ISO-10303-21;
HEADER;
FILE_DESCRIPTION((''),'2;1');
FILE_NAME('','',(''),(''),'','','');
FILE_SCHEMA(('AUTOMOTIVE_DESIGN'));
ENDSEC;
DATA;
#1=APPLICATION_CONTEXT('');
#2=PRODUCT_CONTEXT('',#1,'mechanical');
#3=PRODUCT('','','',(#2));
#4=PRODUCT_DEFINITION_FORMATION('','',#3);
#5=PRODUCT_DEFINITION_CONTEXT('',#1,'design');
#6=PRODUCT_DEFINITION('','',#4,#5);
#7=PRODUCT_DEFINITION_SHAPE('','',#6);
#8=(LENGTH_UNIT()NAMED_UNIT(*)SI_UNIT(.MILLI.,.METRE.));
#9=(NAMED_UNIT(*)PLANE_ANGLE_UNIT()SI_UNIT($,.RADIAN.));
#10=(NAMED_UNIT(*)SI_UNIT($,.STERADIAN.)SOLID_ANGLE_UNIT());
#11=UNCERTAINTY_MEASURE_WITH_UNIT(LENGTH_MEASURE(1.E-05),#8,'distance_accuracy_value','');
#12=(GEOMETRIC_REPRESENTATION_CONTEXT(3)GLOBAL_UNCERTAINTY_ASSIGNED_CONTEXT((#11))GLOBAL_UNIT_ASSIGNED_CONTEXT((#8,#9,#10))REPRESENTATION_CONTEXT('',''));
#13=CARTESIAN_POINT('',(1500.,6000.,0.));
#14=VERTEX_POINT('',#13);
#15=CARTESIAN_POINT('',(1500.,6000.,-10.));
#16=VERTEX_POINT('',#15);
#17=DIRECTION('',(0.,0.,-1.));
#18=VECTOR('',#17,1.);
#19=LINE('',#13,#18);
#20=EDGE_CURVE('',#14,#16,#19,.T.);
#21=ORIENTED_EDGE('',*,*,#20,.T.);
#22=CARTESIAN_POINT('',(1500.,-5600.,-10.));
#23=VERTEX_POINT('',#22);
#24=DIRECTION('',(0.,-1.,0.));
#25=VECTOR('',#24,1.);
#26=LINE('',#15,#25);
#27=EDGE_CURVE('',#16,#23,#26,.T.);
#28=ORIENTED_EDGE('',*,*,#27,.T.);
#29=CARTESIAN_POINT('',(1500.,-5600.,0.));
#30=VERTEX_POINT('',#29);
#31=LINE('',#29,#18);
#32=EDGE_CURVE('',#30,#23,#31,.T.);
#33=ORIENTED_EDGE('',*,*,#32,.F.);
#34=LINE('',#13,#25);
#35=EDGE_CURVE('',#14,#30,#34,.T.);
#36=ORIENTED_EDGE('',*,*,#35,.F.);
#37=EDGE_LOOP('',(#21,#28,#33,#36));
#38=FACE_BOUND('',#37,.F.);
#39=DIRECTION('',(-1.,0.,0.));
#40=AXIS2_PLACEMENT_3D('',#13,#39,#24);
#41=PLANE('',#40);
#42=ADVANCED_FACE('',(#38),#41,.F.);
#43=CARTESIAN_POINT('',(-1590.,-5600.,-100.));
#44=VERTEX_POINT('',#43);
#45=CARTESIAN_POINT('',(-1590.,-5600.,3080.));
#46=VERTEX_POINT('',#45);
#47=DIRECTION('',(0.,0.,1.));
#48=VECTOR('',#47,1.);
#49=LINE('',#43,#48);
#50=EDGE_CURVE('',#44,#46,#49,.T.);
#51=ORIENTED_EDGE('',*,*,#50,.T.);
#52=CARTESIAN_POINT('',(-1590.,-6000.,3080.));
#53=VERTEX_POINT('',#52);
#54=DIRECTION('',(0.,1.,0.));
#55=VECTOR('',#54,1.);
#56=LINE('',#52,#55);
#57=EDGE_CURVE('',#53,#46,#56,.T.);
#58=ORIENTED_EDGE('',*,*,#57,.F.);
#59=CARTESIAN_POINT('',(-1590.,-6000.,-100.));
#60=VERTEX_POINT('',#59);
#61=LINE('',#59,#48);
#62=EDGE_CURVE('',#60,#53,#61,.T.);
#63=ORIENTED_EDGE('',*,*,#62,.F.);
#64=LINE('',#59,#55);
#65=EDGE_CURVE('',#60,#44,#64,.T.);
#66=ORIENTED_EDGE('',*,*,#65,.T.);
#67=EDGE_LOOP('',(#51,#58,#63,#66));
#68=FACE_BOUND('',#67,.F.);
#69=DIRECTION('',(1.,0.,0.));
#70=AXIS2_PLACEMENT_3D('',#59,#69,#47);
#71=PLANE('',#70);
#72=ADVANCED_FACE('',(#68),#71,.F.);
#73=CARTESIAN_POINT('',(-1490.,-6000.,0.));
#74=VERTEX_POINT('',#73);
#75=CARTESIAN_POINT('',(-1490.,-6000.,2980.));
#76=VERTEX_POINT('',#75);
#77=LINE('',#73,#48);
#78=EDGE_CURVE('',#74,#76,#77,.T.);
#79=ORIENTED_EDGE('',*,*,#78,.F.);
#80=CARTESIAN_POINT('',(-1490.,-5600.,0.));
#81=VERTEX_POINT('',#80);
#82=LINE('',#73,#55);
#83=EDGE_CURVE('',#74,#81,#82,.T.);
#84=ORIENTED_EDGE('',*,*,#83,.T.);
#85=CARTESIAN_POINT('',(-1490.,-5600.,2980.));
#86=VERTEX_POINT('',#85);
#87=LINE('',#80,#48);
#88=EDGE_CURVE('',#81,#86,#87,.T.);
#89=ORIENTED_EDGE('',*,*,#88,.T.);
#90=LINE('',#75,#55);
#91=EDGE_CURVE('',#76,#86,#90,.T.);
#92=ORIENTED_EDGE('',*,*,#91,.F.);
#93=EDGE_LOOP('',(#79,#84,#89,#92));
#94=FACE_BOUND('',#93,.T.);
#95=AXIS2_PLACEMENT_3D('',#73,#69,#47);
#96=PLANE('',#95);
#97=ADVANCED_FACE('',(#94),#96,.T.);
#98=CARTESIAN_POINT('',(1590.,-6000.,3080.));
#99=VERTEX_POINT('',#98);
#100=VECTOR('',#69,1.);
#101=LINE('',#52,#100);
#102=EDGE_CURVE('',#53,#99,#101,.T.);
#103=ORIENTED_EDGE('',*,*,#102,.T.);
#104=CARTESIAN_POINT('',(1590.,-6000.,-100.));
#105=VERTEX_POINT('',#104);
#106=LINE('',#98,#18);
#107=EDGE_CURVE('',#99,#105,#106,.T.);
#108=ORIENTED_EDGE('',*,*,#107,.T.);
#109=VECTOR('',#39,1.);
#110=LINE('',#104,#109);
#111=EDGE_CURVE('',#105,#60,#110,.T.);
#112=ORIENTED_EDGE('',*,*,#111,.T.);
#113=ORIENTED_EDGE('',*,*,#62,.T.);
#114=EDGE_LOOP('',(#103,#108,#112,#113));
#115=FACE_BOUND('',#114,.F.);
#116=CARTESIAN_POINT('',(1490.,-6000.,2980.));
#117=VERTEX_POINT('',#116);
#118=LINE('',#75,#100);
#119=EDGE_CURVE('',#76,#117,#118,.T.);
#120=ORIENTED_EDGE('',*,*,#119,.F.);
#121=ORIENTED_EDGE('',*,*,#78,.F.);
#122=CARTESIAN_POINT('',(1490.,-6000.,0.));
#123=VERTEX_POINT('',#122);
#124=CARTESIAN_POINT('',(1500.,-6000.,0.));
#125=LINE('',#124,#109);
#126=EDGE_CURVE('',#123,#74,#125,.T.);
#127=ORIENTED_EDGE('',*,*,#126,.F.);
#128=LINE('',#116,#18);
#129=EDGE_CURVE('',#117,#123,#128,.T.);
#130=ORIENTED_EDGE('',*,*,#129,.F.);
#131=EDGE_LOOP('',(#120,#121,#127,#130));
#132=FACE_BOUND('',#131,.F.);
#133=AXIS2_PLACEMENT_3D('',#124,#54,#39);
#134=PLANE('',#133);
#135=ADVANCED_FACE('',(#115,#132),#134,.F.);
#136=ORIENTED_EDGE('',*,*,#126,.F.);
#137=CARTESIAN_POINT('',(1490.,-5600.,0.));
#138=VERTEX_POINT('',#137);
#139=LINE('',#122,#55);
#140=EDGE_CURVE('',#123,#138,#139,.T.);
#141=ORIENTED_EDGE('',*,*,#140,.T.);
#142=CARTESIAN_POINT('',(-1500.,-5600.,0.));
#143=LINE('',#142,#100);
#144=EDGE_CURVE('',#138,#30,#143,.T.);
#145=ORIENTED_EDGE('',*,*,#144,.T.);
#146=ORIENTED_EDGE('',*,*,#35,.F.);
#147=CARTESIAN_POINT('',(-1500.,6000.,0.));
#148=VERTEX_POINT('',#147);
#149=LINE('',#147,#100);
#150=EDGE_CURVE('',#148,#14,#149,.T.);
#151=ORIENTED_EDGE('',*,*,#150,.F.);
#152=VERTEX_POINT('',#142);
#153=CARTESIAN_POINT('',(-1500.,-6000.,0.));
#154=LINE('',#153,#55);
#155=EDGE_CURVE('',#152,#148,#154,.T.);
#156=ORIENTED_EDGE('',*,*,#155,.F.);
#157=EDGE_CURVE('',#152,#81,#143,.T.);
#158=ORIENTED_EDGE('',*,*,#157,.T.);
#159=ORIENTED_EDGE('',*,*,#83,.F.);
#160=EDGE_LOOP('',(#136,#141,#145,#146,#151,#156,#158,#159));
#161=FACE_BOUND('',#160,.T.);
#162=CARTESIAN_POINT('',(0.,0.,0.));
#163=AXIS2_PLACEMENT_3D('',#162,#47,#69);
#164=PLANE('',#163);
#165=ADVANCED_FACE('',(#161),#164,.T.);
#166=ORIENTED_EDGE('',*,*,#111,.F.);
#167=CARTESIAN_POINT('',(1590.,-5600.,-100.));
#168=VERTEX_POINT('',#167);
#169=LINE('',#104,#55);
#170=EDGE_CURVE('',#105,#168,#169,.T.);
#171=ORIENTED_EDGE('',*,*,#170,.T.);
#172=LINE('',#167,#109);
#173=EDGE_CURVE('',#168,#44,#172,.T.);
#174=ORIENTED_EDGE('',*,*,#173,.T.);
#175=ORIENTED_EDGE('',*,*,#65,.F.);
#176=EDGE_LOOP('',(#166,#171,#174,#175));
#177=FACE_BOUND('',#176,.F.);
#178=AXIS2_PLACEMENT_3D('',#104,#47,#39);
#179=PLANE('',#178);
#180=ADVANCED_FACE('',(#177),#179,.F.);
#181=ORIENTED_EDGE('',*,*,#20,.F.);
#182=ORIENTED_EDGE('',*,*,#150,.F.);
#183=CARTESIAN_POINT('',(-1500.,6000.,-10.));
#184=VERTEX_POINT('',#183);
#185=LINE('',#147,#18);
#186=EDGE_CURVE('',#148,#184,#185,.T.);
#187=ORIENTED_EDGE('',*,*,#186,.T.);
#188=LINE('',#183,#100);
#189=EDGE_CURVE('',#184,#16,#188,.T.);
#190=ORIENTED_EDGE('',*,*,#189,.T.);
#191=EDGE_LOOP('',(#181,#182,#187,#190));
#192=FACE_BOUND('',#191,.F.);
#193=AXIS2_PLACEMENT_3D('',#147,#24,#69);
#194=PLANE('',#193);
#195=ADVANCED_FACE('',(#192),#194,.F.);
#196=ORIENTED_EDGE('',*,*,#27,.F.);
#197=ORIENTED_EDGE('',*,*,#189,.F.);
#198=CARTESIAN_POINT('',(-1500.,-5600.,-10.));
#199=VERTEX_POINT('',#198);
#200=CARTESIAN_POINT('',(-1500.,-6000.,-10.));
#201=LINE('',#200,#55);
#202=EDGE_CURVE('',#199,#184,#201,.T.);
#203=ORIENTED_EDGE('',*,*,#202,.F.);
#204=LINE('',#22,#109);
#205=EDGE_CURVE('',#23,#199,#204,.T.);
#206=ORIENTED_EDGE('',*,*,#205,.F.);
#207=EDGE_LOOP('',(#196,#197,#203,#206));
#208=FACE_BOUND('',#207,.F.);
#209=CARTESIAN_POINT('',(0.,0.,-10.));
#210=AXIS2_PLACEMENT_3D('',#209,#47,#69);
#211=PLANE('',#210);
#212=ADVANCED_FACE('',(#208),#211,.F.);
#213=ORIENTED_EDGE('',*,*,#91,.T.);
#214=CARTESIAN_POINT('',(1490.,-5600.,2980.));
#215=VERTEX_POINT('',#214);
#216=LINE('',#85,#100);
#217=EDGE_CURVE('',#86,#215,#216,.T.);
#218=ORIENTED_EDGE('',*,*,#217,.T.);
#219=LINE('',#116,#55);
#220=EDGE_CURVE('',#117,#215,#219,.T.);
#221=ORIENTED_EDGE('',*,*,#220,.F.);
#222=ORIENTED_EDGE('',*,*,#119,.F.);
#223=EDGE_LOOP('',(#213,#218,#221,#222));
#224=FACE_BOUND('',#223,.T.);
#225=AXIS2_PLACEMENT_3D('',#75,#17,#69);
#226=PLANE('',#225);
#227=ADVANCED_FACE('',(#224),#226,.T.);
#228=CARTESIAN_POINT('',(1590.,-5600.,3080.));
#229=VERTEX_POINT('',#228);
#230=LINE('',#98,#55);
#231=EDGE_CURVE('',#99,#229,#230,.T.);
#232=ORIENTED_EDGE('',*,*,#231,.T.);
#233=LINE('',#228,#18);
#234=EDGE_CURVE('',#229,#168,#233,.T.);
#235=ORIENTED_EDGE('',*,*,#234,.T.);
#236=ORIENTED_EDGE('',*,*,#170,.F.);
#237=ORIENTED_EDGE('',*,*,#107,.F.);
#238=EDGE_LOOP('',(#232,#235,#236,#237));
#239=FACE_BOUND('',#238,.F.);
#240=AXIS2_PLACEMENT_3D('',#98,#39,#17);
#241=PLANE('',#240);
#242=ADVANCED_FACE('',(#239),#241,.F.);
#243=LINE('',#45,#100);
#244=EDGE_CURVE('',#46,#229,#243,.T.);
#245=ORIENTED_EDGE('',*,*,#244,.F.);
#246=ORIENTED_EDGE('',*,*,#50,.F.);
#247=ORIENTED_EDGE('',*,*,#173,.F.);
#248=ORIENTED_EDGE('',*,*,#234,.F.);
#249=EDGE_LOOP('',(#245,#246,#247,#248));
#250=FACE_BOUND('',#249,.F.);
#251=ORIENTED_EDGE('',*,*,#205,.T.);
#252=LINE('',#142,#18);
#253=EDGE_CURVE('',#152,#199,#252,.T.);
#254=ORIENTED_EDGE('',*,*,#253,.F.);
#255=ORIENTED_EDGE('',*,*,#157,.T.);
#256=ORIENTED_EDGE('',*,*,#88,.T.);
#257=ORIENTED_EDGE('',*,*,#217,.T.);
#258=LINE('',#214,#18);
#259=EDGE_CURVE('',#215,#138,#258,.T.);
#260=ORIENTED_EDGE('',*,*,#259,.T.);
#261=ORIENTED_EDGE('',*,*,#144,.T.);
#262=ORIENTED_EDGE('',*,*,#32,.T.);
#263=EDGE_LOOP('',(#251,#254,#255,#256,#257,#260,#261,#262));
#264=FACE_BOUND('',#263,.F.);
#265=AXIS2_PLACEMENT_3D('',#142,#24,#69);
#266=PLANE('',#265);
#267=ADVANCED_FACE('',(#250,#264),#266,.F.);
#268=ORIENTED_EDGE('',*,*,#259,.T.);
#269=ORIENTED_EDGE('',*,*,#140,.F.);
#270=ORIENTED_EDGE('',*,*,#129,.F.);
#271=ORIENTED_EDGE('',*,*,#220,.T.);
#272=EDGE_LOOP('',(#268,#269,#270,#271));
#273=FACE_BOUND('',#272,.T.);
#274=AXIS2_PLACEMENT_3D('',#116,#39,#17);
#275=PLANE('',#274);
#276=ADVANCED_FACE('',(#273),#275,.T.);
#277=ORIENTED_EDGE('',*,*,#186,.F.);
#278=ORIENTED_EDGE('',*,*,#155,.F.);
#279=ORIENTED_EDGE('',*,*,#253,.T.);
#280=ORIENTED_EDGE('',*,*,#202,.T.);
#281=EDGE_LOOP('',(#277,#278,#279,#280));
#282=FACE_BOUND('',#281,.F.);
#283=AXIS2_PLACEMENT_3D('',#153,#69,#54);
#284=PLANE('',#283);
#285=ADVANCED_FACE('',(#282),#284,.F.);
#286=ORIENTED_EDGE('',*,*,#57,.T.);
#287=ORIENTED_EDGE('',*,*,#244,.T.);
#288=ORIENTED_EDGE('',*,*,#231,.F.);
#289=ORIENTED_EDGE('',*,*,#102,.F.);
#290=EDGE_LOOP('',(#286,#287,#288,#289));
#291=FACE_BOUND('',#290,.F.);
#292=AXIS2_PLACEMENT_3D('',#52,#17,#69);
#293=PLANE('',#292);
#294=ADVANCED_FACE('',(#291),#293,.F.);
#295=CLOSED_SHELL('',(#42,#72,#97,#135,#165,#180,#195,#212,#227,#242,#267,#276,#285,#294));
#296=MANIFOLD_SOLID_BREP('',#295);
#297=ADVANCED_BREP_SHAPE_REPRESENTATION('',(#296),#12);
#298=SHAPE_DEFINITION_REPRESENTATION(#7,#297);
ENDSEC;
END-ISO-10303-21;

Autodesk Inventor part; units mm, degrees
ref_plane "YZ Plane" through (0, 0, 0) normal (1, 0, 0) x (0, 1, 0)
ref_plane "XZ Plane" through (0, 0, 0) normal (0, 1, 0) x (-1, 0, 0)
ref_plane "XY Plane" through (0, 0, 0) normal (0, 0, 1) x (1, 0, 0)
sketch "Sketch1" plane through (0, 0, 0) normal (0, 0, 1) x (1, 0, 0)
  line L0 (1500, -6000) -> (-1500, -6000)
  line L1 (-1500, -6000) -> (-1500, 6000)
  line L2 (-1500, 6000) -> (1500, 6000)
  line L3 (1500, 6000) -> (1500, -6000)
  line L4 (1500, -6000) -> (-1500, 6000) construction
  line L5 (-1500, -6000) -> (1500, 6000) construction
  point P0 (0, 0)
  dimension "d0" = 3000
  dimension "d1" = 12000
extrude "Extrusion1" add sketch "Sketch1" against normal blind 10
sketch "Sketch2" plane through (-1500, -6000, 0) normal (0, -1, 0) x (1, 0, 0)
  line L0 (0, 0) -> (3000, 0) projected
  line L1 (0, 0) -> (0, -10) projected
  line L2 (3000, -10) -> (0, -10) projected
  line L3 (3000, 0) -> (3000, -10) projected
  line L4 (10, 2980) -> (2990, 2980)
  line L5 (2990, 2980) -> (2990, 0)
  line L6 (2990, 0) -> (10, 0)
  line L7 (10, 0) -> (10, 2980)
  line L8 (10, 2980) -> (2990, 0) construction
  line L9 (2990, 2980) -> (10, 0) construction
  line L10 (0, 0) -> (3000, 0) projected
  line L11 (-90, 3080) -> (3090, 3080)
  line L12 (3090, 3080) -> (3090, -100)
  line L13 (3090, -100) -> (-90, -100)
  line L14 (-90, -100) -> (-90, 3080)
  point P0 (1500, 0)
  point P1 (1500, 1490)
  point P2 (1500, 0)
  point P3 (2990, 0)
  dimension "d4" = 2980
  dimension "d5" = 2980
  dimension "d6" = 100
extrude "Extrusion2" add sketch "Sketch2" against normal blind 400
properties part number "floor"
